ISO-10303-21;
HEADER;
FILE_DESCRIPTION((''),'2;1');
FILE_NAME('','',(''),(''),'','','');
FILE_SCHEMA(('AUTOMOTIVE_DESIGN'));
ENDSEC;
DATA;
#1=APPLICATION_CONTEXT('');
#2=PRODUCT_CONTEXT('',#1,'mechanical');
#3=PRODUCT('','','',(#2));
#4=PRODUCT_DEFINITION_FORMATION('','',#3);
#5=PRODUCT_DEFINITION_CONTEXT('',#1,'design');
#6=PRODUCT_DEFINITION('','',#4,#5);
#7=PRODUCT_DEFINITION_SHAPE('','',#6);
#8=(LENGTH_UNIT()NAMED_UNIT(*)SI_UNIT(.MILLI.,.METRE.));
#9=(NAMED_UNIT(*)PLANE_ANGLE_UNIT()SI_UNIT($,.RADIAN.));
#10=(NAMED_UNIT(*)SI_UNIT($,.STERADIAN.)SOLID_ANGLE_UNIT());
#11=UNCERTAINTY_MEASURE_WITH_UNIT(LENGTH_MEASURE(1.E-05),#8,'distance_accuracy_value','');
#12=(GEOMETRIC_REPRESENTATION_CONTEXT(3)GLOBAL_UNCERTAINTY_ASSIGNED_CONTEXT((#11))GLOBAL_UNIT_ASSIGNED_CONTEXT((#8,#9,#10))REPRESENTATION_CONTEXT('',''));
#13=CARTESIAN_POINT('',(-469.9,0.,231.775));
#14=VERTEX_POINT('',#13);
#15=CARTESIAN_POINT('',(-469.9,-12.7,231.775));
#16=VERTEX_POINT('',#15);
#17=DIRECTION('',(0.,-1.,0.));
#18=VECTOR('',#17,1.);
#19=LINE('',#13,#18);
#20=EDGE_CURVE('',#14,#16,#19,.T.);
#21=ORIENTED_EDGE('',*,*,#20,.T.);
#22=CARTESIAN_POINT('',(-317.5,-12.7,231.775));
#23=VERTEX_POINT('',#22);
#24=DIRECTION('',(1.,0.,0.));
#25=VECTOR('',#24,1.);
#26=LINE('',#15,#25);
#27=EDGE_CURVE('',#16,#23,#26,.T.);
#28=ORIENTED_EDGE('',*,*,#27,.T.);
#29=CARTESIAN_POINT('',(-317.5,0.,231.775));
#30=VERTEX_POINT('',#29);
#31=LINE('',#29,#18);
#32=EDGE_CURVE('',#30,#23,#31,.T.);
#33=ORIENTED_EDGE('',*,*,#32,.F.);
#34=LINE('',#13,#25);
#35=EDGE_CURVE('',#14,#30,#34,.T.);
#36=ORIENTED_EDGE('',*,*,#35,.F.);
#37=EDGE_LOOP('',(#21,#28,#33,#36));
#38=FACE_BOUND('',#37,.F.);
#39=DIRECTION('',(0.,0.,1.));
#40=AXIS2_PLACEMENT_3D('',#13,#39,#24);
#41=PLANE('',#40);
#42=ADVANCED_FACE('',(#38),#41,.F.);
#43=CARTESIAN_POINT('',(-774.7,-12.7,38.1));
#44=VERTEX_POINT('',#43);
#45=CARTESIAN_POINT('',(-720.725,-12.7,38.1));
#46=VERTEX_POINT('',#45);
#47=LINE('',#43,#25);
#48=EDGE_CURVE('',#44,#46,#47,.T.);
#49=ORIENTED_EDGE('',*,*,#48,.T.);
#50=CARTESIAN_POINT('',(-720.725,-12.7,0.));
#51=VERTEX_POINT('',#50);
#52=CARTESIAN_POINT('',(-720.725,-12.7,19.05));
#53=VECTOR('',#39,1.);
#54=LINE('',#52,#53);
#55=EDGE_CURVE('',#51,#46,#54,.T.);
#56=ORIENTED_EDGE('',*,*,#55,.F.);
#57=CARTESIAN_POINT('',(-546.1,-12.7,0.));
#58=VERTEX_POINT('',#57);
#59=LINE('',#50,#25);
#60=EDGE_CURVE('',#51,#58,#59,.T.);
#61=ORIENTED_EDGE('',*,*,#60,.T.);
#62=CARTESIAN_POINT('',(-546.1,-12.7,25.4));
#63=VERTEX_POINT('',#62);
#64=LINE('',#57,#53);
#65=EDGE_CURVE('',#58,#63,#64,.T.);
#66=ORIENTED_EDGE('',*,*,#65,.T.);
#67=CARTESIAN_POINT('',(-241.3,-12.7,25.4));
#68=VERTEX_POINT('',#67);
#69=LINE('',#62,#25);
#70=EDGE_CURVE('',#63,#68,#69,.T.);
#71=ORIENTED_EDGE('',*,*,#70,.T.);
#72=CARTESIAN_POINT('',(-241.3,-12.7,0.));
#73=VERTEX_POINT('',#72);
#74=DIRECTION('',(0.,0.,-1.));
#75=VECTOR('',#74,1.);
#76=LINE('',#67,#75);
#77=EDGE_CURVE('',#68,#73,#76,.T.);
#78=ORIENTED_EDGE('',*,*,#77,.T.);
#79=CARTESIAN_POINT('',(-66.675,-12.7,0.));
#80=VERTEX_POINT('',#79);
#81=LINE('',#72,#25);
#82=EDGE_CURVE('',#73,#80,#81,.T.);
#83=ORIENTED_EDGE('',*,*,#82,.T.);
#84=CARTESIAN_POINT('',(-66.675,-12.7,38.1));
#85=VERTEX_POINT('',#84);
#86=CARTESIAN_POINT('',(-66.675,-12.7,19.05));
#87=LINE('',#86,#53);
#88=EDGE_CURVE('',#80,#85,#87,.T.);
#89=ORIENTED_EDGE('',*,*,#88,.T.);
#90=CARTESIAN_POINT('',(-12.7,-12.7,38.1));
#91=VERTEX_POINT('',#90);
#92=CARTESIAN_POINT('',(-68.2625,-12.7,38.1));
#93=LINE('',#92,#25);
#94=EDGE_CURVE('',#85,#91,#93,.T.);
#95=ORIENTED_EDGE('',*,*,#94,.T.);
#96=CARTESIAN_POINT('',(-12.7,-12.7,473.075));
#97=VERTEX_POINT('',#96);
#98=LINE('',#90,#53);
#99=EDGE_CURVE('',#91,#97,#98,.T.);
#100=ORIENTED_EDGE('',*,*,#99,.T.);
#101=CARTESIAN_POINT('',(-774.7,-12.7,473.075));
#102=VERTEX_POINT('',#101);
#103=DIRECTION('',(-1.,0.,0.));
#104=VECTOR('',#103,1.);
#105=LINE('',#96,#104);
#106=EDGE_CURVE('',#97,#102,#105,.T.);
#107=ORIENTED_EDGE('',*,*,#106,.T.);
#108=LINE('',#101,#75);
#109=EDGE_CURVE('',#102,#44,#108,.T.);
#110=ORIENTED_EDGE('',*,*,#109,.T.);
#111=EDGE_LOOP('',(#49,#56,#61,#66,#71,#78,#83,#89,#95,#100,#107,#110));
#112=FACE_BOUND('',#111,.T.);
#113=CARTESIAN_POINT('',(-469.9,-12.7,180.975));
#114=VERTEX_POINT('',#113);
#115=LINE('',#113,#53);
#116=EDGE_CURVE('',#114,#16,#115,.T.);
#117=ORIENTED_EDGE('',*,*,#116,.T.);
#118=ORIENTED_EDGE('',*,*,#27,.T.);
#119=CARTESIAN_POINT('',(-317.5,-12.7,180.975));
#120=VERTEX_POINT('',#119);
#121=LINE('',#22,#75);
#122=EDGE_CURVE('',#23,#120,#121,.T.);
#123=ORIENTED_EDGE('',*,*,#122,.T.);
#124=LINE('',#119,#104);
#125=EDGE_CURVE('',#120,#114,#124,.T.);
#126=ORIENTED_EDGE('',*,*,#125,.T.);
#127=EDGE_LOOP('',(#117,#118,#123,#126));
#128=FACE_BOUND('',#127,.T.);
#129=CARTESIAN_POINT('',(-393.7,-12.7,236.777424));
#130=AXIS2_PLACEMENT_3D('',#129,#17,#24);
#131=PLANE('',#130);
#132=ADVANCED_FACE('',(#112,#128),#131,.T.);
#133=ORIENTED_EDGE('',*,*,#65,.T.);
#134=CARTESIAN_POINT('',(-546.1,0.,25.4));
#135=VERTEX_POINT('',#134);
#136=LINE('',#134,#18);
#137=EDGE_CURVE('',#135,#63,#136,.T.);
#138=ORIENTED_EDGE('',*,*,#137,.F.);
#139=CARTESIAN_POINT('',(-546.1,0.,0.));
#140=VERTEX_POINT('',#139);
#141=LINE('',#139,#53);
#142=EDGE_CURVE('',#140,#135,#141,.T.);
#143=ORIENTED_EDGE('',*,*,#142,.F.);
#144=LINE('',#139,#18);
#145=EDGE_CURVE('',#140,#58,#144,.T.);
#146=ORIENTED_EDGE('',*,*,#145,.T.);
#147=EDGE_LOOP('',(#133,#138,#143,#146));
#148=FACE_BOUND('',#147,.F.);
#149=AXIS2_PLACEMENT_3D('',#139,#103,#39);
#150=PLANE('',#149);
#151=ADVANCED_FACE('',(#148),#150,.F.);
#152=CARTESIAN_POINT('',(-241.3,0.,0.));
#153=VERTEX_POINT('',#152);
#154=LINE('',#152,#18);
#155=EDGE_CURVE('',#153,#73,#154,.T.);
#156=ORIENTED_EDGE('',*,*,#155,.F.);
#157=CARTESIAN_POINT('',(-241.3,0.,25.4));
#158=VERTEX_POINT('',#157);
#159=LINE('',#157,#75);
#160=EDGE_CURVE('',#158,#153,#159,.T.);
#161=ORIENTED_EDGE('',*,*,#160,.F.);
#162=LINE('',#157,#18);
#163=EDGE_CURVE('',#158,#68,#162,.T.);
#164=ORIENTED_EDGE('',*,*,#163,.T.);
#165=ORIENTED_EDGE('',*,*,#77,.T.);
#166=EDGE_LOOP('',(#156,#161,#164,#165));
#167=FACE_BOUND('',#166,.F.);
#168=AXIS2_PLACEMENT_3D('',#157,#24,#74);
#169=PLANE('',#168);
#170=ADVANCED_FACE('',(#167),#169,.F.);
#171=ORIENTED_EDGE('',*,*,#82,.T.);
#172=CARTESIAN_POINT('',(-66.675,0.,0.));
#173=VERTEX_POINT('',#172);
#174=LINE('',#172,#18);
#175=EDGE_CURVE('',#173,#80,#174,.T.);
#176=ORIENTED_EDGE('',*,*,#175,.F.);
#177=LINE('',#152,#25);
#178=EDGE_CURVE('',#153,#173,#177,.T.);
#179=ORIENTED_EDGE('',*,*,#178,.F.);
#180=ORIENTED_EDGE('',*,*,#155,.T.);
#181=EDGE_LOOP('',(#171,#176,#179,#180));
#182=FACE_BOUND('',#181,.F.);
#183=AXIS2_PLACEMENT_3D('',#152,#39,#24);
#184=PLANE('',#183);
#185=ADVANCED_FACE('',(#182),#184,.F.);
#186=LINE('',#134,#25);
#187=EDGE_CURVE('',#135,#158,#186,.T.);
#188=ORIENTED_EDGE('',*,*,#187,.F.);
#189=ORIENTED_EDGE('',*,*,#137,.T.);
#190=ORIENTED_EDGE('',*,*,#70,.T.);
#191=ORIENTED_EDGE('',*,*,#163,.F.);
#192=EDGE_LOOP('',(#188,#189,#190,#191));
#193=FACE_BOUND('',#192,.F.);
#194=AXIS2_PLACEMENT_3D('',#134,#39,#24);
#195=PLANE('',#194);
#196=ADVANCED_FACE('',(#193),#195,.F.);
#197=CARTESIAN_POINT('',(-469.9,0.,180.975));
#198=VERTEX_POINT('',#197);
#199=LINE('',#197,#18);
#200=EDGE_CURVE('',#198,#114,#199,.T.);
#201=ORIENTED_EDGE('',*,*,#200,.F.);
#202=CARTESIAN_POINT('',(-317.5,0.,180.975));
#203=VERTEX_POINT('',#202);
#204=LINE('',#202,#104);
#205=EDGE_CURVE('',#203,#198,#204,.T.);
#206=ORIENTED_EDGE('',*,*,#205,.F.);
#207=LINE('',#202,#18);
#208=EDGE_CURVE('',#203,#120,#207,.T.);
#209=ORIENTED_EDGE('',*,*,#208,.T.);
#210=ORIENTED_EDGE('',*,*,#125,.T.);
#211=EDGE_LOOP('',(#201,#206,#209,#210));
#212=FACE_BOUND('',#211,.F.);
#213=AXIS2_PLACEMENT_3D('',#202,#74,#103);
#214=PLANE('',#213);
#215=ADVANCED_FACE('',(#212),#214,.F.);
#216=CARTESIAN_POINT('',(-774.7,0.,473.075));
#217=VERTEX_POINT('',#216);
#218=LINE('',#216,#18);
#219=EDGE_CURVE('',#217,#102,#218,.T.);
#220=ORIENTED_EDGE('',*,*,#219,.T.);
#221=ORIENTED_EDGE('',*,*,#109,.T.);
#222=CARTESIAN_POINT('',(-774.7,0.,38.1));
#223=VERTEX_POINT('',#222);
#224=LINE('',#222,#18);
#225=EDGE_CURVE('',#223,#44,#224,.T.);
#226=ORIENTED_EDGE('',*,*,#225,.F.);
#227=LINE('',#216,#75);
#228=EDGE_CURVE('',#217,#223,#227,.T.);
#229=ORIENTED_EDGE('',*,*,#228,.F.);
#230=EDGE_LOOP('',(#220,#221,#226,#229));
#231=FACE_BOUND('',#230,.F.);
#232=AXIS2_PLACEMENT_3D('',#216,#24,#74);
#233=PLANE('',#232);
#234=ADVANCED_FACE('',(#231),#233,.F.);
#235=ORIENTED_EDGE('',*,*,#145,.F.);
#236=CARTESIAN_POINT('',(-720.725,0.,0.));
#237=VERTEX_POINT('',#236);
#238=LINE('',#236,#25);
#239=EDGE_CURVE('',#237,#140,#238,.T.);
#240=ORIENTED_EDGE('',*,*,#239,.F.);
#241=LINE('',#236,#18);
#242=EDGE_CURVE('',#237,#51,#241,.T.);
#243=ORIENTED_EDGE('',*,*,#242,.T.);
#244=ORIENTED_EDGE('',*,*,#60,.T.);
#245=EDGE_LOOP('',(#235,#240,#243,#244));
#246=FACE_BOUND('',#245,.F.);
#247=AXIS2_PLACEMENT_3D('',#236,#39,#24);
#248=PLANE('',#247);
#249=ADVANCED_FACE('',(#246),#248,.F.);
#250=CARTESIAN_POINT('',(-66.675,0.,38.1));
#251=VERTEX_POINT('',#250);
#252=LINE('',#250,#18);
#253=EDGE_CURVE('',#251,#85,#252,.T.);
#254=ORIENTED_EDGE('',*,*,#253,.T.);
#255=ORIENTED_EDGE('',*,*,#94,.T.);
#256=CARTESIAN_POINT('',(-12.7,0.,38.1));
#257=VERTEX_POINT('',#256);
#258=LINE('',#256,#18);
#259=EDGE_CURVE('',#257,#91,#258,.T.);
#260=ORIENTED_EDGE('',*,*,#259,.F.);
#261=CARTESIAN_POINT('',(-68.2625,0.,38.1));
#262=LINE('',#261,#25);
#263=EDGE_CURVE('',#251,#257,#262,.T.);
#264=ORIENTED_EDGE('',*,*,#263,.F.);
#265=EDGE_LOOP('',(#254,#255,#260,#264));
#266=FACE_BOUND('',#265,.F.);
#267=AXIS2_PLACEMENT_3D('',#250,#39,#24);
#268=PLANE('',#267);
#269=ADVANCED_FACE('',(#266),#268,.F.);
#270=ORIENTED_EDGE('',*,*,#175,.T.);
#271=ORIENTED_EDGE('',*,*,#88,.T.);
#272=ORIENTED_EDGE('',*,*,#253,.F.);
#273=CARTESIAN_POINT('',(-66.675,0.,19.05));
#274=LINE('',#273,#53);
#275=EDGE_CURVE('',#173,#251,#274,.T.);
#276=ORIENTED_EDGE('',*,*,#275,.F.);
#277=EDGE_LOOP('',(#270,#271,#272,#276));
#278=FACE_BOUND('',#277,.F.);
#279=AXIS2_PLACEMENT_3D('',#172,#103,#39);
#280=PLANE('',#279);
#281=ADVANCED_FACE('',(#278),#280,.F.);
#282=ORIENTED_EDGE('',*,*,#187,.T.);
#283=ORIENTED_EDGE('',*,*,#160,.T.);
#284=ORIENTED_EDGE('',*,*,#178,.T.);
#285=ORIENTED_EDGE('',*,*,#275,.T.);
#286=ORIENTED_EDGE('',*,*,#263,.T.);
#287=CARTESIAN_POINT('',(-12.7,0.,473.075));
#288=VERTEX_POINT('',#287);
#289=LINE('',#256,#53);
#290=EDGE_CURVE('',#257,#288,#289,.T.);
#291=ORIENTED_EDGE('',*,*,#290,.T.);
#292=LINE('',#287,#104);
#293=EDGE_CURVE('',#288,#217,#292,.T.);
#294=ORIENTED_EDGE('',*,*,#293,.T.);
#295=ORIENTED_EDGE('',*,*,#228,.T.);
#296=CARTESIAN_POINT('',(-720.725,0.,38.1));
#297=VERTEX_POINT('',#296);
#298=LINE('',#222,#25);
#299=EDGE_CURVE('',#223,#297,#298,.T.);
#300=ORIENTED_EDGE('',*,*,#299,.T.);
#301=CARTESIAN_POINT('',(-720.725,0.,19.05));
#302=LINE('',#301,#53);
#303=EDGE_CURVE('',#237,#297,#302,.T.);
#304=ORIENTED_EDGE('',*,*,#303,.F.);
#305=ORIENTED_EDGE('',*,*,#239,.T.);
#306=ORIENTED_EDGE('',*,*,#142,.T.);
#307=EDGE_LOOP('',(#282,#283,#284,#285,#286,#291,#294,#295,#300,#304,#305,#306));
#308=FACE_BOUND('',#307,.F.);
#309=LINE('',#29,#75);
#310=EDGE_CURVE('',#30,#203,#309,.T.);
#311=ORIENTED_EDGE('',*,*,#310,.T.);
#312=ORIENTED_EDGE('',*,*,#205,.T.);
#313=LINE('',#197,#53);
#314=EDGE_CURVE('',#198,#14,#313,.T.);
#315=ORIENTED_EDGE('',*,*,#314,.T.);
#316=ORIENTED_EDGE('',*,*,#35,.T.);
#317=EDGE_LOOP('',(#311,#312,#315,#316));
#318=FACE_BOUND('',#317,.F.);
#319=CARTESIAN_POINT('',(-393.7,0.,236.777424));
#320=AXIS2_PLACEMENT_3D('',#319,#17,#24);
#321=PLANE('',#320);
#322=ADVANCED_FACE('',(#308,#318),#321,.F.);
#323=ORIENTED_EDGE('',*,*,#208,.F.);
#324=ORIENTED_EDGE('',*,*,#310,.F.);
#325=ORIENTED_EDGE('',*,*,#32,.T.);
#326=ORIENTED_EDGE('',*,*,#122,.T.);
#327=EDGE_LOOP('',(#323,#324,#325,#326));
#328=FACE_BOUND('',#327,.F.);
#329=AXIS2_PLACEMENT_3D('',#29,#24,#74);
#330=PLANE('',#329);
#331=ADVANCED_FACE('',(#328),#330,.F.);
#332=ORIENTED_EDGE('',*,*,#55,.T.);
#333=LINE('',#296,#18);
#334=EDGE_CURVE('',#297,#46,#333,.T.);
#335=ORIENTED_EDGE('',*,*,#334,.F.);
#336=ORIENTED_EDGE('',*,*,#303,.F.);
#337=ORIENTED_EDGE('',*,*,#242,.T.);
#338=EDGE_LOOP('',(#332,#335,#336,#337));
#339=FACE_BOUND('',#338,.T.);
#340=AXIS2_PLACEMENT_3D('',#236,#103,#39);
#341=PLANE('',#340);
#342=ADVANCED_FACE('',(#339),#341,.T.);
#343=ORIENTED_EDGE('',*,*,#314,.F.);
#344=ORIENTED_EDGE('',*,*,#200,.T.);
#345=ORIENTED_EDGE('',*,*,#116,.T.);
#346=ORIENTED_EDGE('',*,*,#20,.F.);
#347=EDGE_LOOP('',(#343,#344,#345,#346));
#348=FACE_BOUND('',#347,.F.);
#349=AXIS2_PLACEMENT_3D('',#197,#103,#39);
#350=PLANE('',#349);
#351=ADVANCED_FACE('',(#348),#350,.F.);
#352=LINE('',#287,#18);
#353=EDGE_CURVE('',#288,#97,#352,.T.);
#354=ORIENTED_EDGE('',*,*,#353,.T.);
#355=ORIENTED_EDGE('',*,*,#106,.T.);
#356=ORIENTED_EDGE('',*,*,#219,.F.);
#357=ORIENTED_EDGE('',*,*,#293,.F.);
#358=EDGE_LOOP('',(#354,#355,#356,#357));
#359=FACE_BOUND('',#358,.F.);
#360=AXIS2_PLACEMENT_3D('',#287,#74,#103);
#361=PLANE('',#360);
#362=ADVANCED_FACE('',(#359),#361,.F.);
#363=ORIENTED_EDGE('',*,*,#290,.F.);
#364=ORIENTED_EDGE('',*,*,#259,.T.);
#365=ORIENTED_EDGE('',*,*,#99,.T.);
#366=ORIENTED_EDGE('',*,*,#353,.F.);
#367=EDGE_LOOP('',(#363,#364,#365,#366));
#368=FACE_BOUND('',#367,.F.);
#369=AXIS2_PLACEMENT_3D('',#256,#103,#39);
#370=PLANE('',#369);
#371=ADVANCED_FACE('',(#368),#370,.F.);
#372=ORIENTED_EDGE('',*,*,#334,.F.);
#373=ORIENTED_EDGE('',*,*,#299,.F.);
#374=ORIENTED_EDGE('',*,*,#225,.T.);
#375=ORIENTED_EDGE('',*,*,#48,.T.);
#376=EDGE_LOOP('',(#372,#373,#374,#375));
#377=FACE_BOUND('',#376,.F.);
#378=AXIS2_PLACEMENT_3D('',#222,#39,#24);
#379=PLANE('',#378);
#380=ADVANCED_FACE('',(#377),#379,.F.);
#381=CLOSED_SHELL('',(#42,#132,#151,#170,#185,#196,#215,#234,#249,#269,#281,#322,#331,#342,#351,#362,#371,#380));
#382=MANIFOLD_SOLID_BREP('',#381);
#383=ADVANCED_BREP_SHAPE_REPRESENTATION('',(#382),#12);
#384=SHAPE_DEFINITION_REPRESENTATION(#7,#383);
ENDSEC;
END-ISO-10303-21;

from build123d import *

# Parameters (mm, degrees)
F0_W     = 1.5875
F0_H     = 38.1
F1_DEPTH = 12.7


with BuildPart() as f1:
    # F0 (on Front) → F1 (new body)
    with BuildSketch(Plane.XZ):
        Polygon((-19.05, 38.1), (-12.7, 38.1), (-12.7, 473.075), (-774.7, 473.075), (-774.7, 38.1), (-768.35, 38.1), (-720.725, 38.1), (-719.1375, 38.1), (-719.1375, 0), (-546.1, 0), (-546.1, 25.4), (-393.7, 25.4), (-241.3, 25.4), (-241.3, 0), (-68.2625, 0), (-68.2625, 38.1), (-66.675, 38.1), align=None)
        Polygon((-469.9, 231.775), (-393.7, 231.775), (-317.5, 231.775), (-317.5, 180.975), (-393.7, 180.975), (-469.9, 180.975), align=None, mode=Mode.SUBTRACT)
        with Locations((-67.46875, 19.05)):
            Rectangle(F0_W, F0_H)
        with Locations((-719.93125, 19.05)):
            Rectangle(F0_W, F0_H)
    extrude(amount=F1_DEPTH)


solid = f1.part
